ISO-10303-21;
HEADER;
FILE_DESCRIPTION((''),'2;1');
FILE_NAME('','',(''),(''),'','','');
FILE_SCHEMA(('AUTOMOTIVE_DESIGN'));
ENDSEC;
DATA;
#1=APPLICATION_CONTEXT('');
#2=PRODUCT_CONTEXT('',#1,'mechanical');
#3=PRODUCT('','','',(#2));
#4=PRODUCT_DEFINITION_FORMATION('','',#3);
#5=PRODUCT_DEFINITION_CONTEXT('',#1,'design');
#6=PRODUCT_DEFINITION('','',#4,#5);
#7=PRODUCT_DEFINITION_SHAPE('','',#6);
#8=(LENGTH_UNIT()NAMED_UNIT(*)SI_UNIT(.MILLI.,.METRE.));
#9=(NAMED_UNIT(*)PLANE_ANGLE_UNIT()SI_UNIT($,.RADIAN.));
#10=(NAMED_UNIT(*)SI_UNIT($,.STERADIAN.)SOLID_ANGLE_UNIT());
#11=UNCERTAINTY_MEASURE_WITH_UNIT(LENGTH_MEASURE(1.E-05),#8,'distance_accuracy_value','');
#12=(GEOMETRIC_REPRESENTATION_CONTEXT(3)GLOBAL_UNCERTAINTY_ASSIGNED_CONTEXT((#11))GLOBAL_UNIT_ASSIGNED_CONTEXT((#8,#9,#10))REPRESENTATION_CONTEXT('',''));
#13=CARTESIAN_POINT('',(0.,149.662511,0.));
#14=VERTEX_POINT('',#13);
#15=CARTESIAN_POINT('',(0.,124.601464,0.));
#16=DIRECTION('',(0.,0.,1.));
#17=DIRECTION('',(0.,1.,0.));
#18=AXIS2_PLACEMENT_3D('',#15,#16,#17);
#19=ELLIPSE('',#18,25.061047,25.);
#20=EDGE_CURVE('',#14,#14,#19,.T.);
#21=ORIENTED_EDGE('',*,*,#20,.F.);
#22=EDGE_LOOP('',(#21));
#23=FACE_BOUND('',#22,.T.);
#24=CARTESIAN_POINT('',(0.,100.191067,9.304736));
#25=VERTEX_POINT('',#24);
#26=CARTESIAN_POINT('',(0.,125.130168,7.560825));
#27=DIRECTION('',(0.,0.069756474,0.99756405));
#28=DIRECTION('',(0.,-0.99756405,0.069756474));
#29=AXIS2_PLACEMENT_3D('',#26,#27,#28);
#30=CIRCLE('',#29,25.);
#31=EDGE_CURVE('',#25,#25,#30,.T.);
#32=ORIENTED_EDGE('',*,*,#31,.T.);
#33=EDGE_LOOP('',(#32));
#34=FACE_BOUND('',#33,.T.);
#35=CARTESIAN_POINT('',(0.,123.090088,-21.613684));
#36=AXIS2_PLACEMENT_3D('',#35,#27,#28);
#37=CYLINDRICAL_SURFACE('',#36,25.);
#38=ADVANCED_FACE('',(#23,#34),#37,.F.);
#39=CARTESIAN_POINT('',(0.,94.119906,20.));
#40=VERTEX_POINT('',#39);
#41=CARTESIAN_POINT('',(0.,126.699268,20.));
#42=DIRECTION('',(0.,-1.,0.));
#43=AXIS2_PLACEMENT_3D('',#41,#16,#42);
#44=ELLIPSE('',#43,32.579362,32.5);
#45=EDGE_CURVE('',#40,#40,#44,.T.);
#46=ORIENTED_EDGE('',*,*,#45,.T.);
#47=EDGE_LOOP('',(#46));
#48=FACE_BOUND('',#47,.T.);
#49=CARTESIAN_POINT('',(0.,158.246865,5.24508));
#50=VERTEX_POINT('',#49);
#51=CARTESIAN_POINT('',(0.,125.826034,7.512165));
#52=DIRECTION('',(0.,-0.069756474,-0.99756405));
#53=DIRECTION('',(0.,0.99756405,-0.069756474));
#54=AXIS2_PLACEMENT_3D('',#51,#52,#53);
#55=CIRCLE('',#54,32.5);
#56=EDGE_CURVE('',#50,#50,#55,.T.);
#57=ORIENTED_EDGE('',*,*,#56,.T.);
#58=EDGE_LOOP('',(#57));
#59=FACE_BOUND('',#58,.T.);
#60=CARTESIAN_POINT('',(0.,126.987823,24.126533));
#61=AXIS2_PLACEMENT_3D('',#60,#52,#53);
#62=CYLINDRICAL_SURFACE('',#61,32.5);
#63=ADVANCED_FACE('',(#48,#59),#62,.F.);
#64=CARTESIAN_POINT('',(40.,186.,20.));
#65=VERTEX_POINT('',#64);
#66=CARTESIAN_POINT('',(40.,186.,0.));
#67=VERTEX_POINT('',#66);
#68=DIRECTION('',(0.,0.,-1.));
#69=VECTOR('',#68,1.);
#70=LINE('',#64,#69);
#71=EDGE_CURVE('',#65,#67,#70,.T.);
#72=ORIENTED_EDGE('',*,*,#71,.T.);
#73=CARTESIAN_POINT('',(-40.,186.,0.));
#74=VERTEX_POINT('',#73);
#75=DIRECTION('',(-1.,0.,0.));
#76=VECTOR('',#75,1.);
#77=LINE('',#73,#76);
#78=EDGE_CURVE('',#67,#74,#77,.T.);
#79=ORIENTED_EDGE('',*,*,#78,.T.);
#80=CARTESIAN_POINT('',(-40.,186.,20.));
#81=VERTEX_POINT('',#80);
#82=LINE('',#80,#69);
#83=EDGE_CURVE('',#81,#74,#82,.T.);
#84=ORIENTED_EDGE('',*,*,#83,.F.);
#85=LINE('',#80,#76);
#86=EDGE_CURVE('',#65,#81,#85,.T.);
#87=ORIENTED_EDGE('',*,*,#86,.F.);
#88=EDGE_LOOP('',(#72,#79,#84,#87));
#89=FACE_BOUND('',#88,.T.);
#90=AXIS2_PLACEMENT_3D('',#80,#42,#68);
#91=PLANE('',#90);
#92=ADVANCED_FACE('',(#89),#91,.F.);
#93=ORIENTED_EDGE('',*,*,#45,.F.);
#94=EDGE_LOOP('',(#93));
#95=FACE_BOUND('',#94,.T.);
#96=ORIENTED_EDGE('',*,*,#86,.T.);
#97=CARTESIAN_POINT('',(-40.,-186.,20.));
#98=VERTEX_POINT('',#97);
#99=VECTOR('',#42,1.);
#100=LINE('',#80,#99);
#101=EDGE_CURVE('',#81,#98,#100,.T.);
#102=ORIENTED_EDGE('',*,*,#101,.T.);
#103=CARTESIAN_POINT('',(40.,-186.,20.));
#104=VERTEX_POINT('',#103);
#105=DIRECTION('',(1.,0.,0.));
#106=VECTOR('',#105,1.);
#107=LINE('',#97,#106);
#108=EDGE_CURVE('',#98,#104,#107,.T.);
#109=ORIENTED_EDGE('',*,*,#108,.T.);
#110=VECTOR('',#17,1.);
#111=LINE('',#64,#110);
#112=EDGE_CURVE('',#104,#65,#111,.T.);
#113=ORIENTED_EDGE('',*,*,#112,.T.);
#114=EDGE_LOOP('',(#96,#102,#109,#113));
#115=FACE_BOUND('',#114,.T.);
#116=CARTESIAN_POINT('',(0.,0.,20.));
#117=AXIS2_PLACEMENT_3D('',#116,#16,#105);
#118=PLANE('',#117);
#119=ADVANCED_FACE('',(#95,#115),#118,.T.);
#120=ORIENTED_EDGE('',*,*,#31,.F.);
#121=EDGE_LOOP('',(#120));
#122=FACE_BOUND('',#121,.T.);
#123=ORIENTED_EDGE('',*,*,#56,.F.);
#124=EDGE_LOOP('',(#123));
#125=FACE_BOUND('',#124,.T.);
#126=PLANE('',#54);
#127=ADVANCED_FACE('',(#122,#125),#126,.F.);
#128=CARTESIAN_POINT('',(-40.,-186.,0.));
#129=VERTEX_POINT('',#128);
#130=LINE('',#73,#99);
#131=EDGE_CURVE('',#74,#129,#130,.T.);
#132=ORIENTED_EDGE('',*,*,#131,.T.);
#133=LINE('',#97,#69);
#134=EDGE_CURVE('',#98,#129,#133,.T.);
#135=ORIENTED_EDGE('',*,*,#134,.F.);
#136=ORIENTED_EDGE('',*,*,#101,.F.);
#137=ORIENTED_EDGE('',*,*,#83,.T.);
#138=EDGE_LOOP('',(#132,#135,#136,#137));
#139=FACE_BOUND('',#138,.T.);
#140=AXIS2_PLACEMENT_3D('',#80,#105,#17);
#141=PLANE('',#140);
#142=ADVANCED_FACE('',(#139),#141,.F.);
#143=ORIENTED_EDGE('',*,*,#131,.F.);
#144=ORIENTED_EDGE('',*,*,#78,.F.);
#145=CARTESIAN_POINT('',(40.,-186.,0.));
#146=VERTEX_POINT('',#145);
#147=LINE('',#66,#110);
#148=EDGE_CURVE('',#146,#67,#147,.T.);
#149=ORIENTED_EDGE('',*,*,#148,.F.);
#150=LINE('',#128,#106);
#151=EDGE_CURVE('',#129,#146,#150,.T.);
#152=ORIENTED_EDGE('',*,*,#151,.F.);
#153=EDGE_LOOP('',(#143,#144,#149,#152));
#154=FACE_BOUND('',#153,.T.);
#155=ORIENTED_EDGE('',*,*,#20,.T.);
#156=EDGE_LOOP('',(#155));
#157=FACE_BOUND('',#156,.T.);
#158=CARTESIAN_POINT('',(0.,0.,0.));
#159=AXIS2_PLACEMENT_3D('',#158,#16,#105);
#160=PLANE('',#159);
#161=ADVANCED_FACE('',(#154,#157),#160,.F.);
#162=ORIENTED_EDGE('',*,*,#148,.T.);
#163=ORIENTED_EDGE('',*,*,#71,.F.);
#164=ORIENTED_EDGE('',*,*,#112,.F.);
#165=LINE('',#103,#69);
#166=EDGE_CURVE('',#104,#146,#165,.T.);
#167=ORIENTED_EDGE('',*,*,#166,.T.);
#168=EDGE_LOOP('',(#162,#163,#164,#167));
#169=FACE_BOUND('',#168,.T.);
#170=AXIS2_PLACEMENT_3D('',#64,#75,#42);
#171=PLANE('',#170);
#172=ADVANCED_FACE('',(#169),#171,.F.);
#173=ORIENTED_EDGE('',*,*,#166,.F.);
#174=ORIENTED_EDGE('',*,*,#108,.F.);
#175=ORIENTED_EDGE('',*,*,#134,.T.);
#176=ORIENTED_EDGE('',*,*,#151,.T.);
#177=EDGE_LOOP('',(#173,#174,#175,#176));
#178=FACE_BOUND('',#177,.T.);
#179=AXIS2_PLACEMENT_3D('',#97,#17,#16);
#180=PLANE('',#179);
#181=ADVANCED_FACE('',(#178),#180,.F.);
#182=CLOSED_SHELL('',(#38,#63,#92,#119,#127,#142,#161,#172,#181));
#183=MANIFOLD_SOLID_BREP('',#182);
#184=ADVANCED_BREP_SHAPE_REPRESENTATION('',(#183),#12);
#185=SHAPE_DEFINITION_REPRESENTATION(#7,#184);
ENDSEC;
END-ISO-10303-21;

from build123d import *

# Parameters (mm, degrees)
SKETCH1_W           = 80
SKETCH1_H           = 372
BOSS_EXTRUDE1_DEPTH = 20
SKETCH4_R           = 32.5
CUT_EXTRUDE2_DEPTH  = 193.049397179
SKETCH5_R           = 25
CUT_EXTRUDE3_DEPTH  = 193.049397179


with BuildPart() as part:
    # Sketch1 → Boss-Extrude1 (new body)
    with BuildSketch(Plane.XY):
        Rectangle(SKETCH1_W, SKETCH1_H)
    extrude(amount=BOSS_EXTRUDE1_DEPTH)

    # Sketch4 → Cut-Extrude2 (cut, through all)
    with BuildSketch(Plane(origin=(0, 1.135010798, 16.231410618), x_dir=(1, 0, 0), z_dir=(0, -0.06975647374412888, -0.997564050259824))):
        with Locations(Location((0, -124.995505595, 0), (0, 0, 270))):
            Circle(SKETCH4_R)
    extrude(amount=-CUT_EXTRUDE2_DEPTH, mode=Mode.SUBTRACT)

    # Sketch5 → Cut-Extrude3 (cut, through all)
    with BuildSketch(Plane(origin=(0, 1.135010798, 16.231410618), x_dir=(1, 0, 0), z_dir=(0, 0.06975647374412888, 0.9975640502598241))):
        with Locations(Location((0, 124.297940858, 0), (0, 0, 270))):
            Circle(SKETCH5_R)
    extrude(amount=-CUT_EXTRUDE3_DEPTH, mode=Mode.SUBTRACT)


solid = part.part
